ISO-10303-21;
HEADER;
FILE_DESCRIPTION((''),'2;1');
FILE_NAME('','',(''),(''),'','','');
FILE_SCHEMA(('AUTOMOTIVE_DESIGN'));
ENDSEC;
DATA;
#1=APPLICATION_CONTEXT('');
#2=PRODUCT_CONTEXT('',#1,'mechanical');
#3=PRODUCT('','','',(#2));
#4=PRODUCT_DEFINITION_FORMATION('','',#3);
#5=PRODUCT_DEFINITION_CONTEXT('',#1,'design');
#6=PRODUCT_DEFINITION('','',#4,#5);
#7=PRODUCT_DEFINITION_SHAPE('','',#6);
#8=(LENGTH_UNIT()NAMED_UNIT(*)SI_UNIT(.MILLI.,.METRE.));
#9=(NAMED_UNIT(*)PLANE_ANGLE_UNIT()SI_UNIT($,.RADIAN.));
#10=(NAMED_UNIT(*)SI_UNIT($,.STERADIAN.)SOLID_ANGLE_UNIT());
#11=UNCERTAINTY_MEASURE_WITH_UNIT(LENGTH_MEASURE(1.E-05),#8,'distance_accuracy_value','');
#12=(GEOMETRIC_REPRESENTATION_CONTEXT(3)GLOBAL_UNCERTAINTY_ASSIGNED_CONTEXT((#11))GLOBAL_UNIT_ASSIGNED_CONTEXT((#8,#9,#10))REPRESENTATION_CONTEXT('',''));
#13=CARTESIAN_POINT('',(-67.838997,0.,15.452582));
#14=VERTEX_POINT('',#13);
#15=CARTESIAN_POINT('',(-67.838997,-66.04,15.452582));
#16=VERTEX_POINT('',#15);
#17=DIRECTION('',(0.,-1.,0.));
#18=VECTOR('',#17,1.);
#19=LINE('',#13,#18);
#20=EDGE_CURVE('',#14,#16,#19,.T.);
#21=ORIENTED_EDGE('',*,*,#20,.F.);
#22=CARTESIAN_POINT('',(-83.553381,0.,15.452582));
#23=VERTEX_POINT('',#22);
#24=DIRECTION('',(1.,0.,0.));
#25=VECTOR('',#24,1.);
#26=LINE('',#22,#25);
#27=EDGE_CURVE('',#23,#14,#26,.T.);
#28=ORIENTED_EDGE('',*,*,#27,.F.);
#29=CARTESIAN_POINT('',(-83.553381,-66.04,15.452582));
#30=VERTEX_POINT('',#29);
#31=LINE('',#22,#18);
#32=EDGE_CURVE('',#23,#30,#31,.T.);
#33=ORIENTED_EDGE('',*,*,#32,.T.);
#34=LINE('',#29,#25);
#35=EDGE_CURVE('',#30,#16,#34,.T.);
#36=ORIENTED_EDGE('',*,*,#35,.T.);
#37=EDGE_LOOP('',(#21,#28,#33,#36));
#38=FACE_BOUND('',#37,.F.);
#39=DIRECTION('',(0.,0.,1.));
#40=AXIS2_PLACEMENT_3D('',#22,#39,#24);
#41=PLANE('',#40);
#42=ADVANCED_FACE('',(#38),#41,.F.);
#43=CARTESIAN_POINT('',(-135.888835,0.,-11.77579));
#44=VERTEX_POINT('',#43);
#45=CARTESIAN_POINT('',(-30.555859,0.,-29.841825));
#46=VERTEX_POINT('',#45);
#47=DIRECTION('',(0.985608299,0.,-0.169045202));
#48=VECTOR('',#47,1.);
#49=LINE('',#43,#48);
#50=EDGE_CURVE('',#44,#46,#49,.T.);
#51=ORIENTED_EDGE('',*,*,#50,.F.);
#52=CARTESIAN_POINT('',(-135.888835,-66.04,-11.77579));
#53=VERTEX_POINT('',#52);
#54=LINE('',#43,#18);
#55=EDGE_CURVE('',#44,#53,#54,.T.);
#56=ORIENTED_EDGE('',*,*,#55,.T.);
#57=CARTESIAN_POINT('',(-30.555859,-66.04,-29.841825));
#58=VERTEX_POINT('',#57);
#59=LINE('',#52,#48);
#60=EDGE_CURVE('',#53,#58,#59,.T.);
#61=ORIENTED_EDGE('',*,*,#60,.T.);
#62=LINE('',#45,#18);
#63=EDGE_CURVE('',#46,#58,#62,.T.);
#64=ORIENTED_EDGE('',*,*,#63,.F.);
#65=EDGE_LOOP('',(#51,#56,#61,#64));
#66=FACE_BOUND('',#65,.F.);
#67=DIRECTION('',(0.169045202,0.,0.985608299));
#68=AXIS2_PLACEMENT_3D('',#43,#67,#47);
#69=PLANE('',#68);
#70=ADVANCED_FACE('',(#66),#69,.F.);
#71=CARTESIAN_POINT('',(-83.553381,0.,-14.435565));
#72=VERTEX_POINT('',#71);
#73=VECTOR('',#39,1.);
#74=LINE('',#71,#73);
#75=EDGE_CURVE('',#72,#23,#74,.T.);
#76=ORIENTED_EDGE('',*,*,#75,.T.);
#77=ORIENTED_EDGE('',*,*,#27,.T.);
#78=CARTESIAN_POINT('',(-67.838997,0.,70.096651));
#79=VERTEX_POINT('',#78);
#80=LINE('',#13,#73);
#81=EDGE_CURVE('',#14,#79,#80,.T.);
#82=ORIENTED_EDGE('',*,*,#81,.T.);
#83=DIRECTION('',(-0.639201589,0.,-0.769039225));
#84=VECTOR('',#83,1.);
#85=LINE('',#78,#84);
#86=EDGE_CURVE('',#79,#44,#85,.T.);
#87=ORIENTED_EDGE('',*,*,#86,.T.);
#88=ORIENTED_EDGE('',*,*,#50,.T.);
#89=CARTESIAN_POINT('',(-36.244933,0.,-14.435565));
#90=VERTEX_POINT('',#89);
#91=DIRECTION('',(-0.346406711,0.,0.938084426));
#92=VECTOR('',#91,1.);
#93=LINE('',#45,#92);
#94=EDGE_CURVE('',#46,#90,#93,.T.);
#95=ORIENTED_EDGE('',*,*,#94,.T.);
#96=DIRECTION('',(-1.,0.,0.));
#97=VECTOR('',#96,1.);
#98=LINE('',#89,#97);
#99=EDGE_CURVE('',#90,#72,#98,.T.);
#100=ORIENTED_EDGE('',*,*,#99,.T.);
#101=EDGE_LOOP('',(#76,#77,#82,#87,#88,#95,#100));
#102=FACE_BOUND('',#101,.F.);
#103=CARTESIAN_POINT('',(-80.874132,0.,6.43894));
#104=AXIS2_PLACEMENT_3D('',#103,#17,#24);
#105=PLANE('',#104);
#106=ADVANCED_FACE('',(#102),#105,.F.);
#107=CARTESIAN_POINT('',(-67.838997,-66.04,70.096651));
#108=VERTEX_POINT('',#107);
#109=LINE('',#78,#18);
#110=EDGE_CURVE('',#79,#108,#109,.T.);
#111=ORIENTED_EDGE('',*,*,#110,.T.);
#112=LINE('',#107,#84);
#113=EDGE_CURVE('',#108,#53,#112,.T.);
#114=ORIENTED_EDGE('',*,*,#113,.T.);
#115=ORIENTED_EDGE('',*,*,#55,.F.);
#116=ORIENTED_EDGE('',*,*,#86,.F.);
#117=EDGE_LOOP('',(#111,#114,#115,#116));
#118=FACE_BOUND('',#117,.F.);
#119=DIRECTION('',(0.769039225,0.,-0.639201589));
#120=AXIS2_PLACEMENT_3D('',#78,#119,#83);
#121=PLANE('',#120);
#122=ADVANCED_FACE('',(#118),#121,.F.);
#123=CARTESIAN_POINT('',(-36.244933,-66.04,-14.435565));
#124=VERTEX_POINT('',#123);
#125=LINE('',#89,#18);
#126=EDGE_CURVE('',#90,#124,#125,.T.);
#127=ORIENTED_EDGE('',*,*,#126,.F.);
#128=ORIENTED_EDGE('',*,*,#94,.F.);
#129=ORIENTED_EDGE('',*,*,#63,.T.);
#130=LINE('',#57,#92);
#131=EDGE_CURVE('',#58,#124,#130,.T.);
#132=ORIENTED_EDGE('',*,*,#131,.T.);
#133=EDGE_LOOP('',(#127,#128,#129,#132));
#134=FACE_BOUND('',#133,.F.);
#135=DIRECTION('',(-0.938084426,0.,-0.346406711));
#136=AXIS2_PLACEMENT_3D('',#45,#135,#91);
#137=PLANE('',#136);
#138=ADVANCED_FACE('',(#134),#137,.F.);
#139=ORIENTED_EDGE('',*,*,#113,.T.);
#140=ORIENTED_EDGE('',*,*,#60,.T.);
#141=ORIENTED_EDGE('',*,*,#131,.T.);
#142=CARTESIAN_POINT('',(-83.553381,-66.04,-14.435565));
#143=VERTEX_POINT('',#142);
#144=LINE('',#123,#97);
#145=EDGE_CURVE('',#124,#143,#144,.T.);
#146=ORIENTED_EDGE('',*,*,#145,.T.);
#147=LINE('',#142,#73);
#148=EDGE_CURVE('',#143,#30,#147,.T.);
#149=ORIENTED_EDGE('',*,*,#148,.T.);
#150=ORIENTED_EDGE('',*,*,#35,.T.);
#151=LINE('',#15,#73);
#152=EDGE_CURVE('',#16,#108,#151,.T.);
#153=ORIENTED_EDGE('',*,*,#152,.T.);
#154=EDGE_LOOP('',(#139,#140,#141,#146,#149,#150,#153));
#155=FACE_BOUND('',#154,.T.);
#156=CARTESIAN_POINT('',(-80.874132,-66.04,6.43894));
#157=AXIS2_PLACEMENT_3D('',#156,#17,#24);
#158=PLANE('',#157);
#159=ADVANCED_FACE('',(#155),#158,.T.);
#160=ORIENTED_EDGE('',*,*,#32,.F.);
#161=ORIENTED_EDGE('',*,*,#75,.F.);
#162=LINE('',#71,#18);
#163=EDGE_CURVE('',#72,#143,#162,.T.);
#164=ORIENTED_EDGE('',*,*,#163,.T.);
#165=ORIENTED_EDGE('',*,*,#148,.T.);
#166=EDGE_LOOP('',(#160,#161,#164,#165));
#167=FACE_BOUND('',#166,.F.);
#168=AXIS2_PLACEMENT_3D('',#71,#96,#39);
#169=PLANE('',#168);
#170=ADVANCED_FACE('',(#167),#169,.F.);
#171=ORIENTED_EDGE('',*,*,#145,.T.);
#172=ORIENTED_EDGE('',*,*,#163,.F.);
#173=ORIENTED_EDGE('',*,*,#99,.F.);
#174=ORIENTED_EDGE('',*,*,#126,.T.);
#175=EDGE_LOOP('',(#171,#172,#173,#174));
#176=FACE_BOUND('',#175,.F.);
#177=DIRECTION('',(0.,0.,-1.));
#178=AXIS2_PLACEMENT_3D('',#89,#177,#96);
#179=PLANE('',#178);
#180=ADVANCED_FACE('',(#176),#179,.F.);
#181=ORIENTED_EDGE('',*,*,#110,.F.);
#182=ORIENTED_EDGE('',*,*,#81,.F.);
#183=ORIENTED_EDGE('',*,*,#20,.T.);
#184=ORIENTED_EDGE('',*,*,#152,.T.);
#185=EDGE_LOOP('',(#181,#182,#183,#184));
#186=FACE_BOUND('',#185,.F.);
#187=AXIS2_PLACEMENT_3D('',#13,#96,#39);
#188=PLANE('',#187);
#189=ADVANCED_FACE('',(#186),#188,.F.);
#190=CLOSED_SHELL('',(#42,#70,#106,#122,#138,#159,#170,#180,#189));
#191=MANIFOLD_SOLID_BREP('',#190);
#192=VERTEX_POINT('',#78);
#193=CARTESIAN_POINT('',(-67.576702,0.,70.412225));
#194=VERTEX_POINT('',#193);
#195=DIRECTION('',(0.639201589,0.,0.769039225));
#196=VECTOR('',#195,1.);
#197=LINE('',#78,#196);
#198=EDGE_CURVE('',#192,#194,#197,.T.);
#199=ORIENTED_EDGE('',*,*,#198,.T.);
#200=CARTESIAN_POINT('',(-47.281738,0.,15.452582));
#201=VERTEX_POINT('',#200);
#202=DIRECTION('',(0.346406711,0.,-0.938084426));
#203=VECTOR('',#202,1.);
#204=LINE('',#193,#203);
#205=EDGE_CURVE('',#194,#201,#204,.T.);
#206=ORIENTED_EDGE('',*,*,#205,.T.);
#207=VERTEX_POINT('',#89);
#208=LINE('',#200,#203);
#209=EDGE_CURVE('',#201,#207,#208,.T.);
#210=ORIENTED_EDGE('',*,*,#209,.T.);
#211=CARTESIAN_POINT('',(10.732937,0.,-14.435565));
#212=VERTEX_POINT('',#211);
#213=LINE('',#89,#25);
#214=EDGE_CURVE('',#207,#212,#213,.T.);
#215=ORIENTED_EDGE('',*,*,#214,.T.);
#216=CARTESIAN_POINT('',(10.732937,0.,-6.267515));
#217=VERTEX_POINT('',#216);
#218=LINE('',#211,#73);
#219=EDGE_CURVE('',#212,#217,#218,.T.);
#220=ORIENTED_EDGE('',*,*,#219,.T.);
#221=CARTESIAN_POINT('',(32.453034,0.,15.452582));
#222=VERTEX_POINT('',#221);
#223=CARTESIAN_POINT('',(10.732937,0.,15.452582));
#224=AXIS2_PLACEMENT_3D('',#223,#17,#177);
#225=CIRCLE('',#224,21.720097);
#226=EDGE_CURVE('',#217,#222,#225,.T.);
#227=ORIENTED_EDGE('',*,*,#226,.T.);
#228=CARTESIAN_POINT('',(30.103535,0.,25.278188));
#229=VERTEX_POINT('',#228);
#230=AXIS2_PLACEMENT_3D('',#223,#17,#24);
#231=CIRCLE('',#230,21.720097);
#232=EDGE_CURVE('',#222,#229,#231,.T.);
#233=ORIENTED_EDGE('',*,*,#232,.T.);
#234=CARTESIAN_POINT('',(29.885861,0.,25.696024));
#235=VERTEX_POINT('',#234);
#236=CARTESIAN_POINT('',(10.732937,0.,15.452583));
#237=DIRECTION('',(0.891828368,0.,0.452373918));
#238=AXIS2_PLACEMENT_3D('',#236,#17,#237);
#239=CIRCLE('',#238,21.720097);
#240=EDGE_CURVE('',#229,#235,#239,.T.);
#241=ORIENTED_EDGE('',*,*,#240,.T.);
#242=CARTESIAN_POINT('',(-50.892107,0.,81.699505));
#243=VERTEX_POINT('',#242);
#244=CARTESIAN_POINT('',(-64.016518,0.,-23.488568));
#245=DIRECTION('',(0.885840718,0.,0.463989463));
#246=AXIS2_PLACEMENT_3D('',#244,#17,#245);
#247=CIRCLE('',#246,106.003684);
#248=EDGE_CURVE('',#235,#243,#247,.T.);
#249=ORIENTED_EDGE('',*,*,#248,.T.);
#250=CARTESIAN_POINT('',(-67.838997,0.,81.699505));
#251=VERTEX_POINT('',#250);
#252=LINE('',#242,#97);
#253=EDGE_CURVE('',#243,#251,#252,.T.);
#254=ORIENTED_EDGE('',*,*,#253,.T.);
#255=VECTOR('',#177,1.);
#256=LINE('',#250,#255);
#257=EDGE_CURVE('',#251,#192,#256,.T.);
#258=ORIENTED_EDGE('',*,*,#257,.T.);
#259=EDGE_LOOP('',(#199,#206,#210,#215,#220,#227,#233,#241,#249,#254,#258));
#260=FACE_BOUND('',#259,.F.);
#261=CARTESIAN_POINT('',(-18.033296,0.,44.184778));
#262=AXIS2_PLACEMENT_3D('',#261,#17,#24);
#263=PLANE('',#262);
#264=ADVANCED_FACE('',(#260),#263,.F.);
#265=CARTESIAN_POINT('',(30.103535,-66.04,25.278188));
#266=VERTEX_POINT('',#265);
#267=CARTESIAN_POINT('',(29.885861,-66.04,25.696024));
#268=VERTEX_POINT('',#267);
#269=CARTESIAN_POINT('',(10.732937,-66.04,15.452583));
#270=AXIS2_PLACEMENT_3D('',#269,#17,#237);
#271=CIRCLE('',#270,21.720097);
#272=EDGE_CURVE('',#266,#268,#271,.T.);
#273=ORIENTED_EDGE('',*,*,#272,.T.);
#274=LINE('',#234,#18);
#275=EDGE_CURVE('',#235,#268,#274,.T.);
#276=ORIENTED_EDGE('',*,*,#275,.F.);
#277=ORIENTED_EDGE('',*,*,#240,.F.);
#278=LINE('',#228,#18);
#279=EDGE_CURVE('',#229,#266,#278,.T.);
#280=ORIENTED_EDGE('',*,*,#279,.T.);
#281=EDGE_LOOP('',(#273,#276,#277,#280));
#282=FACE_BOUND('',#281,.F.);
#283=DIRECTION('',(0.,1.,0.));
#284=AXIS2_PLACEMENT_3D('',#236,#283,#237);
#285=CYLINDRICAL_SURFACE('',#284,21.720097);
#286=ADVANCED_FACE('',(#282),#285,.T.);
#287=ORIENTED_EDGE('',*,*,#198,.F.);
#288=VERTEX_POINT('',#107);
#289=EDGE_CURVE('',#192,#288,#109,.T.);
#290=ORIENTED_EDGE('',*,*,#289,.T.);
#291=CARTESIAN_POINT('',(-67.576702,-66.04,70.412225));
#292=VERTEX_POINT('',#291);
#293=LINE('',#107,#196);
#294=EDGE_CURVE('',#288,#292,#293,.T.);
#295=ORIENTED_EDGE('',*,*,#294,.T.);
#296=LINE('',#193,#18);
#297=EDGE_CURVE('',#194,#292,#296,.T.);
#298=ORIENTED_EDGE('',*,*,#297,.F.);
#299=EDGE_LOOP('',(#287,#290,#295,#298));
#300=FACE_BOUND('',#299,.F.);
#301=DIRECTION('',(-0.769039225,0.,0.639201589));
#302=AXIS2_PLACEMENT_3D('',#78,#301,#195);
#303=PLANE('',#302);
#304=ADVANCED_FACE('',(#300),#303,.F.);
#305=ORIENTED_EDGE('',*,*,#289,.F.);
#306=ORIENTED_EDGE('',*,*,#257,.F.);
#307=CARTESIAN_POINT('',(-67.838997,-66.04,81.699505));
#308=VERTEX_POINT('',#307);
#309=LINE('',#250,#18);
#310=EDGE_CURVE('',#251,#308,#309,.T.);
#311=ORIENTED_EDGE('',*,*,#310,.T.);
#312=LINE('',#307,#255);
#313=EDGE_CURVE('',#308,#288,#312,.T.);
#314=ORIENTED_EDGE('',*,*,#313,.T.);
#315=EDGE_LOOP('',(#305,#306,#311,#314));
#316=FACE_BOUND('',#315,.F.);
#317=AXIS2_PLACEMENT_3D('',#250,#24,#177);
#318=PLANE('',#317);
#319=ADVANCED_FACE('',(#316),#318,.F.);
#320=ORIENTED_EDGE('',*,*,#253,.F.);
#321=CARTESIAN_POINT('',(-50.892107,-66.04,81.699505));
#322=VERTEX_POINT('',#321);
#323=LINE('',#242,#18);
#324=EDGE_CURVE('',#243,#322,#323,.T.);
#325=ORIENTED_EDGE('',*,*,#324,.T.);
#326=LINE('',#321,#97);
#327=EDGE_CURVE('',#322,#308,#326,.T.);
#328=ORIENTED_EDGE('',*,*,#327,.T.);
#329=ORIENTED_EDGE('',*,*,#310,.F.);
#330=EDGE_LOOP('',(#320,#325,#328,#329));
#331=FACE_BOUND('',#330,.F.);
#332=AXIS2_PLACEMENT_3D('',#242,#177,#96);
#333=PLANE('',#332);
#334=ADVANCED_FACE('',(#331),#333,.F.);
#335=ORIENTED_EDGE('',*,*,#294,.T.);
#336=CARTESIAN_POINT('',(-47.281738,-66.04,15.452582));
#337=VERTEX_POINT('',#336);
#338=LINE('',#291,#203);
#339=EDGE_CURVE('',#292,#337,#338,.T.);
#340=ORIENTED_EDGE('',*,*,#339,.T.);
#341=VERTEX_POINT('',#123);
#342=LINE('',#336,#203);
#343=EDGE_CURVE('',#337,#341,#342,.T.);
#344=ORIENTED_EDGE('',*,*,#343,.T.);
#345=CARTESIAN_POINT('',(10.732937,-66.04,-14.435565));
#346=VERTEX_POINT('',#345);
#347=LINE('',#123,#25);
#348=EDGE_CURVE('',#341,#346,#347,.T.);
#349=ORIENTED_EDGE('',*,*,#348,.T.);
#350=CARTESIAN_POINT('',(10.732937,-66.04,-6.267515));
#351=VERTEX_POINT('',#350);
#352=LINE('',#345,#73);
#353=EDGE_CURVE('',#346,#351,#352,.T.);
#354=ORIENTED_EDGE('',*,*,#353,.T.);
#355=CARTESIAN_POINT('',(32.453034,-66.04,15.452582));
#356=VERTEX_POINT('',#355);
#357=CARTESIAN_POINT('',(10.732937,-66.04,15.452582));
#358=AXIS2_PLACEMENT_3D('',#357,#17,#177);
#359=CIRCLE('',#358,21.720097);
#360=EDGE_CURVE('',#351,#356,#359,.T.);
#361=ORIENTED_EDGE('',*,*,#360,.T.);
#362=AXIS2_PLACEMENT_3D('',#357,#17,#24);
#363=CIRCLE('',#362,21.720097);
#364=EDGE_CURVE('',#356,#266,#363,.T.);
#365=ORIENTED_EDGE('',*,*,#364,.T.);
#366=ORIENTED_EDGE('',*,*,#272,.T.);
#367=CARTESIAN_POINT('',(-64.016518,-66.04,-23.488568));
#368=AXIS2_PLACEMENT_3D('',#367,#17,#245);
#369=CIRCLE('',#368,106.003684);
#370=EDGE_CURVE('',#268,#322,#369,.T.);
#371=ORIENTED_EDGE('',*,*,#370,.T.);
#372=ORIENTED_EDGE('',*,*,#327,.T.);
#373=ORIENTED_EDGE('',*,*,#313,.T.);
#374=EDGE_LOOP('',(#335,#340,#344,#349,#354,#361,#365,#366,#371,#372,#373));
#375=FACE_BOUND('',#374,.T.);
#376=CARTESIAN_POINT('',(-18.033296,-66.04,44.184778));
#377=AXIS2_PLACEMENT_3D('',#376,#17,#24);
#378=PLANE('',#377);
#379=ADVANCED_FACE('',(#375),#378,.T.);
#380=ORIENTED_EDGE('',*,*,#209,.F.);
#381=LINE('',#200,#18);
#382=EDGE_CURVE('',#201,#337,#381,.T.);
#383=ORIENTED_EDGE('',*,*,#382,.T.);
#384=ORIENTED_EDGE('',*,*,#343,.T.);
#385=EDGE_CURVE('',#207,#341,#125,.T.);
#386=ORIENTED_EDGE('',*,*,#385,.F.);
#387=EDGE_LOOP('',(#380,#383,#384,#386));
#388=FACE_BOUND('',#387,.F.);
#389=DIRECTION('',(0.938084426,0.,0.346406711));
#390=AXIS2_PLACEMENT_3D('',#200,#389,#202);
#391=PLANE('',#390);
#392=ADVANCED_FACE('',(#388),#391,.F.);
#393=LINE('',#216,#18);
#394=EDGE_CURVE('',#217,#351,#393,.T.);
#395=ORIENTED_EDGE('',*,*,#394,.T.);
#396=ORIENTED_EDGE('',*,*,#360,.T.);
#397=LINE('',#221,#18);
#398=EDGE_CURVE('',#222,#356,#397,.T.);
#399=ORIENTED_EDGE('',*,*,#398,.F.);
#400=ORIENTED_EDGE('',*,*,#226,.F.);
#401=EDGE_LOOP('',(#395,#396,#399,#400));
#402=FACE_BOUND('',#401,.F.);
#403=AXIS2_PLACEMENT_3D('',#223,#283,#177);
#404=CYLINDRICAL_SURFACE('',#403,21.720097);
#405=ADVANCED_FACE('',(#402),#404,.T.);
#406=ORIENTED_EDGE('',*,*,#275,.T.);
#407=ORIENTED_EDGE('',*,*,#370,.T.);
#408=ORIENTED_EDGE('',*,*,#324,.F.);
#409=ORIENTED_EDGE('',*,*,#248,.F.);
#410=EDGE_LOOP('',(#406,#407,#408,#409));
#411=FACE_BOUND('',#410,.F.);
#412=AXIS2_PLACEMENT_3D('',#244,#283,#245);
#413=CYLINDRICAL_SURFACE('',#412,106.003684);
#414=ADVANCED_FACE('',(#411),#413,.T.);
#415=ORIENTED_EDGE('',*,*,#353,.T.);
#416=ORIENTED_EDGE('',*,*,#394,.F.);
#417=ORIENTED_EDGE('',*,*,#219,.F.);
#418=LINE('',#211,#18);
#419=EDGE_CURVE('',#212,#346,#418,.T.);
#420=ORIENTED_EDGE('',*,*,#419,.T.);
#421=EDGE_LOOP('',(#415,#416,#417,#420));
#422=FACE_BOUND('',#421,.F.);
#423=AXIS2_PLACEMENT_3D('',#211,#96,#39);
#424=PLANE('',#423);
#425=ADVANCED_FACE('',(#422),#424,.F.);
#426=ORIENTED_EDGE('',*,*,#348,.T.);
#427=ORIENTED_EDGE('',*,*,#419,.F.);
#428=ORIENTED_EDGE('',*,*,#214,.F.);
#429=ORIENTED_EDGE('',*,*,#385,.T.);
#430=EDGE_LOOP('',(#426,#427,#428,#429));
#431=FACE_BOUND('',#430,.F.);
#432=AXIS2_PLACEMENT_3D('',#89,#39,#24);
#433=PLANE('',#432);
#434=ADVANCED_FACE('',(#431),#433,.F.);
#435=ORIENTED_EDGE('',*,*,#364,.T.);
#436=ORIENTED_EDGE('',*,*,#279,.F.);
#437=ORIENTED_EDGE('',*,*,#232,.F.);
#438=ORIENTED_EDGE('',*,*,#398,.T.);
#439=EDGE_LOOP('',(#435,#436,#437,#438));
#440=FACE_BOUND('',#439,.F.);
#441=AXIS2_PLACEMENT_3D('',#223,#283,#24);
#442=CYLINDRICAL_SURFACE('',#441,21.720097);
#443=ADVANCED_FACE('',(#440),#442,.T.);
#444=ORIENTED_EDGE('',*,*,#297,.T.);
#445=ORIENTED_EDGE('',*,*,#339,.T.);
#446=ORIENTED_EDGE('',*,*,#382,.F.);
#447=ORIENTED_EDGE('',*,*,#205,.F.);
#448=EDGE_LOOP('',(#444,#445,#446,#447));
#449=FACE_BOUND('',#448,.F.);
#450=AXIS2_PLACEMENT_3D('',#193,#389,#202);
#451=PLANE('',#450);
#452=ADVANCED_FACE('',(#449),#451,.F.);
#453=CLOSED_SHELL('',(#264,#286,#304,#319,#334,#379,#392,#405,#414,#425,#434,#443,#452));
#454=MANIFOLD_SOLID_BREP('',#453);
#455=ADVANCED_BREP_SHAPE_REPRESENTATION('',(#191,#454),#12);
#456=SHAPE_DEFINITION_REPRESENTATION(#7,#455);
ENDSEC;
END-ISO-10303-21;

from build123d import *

# Parameters (mm, degrees)
F1_DEPTH = 66.04


with BuildPart() as f1:
    # F0 (on Front) → F1 (new body)
    with BuildSketch(Plane.XZ):
        Polygon((-83.5533812642, -14.4355650991), (-83.5533812642, 15.4525823891), (-67.8389966488, 15.4525823891), (-67.8389966488, 70.0966510831), (-135.8888346123, -11.7757903313), (-30.5558592081, -29.841825366), (-36.2449334465, -14.4355650991), align=None)
    extrude(amount=F1_DEPTH)


with BuildPart() as f1b:
    # F0 (on Front) → F1, piece 2 (new body)
    with BuildSketch(Plane.XZ):
        with BuildLine():
            Line((-50.8921071887, 25.2296179152), (-47.2817384181, 15.4525823891))
            Line((-47.2817384181, 15.4525823891), (-10.9871604214, 15.4525823891))
            ThreePointArc((-10.9871604214, 15.4525823891), (5.45282135, 36.5211134239), (29.8858612815, 25.6960240335))
            ThreePointArc((29.8858612815, 25.6960240335), (-3.6196561144, 63.6262987044), (-50.8921071887, 81.6995054483))
            Line((-50.8921071887, 81.6995054483), (-50.8921071887, 25.2296179152))
        make_face()
        with BuildLine():
            ThreePointArc((30.1035354219, 25.2781878101), (29.9958313087, 25.4876961421), (29.8858612815, 25.6960240335))
            ThreePointArc((29.8858612815, 25.6960240335), (29.9949304875, 25.4872268542), (30.1035354219, 25.2781878101))
        make_face()
        Polygon((-67.8389966488, 81.6995054483), (-67.8389966488, 70.0966510831), (-67.5767016245, 70.4122247076), (-50.8921071887, 25.2296179152), (-50.8921071887, 81.6995054483), align=None)
        with BuildLine():
            Line((10.7329366729, 15.4525823891), (-10.9871604214, 15.4525823891))
            ThreePointArc((-10.9871604214, 15.4525823891), (-4.6254912705, 0.0941544457), (10.7329366729, -6.2675147052))
            Line((10.7329366729, -6.2675147052), (10.7329366729, 15.4525823891))
        make_face()
        with BuildLine():
            ThreePointArc((29.8858612815, 25.6960240335), (5.45282135, 36.5211134239), (-10.9871604214, 15.4525823891))
            Line((-10.9871604214, 15.4525823891), (10.7329366729, 15.4525823891))
            Line((10.7329366729, 15.4525823891), (10.7329366729, -6.2675147052))
            ThreePointArc((10.7329366729, -6.2675147052), (26.0913646163, 0.0941544457), (32.4530337672, 15.4525823891))
            ThreePointArc((32.4530337672, 15.4525823891), (31.8574946965, 20.5038857942), (30.1035354219, 25.2781878101))
            ThreePointArc((30.1035354219, 25.2781878101), (29.9949304875, 25.4872268542), (29.8858612815, 25.6960240335))
        make_face()
        with BuildLine():
            Line((-47.2817384181, 15.4525823891), (-36.2449334465, -14.4355650991))
            Line((-36.2449334465, -14.4355650991), (10.7329366729, -14.4355650991))
            Line((10.7329366729, -14.4355650991), (10.7329366729, -6.2675147052))
            ThreePointArc((10.7329366729, -6.2675147052), (-4.6254912705, 0.0941544457), (-10.9871604214, 15.4525823891))
            Line((-10.9871604214, 15.4525823891), (-47.2817384181, 15.4525823891))
        make_face()
    extrude(amount=F1_DEPTH)


solid = Compound([f1.part, f1b.part])
